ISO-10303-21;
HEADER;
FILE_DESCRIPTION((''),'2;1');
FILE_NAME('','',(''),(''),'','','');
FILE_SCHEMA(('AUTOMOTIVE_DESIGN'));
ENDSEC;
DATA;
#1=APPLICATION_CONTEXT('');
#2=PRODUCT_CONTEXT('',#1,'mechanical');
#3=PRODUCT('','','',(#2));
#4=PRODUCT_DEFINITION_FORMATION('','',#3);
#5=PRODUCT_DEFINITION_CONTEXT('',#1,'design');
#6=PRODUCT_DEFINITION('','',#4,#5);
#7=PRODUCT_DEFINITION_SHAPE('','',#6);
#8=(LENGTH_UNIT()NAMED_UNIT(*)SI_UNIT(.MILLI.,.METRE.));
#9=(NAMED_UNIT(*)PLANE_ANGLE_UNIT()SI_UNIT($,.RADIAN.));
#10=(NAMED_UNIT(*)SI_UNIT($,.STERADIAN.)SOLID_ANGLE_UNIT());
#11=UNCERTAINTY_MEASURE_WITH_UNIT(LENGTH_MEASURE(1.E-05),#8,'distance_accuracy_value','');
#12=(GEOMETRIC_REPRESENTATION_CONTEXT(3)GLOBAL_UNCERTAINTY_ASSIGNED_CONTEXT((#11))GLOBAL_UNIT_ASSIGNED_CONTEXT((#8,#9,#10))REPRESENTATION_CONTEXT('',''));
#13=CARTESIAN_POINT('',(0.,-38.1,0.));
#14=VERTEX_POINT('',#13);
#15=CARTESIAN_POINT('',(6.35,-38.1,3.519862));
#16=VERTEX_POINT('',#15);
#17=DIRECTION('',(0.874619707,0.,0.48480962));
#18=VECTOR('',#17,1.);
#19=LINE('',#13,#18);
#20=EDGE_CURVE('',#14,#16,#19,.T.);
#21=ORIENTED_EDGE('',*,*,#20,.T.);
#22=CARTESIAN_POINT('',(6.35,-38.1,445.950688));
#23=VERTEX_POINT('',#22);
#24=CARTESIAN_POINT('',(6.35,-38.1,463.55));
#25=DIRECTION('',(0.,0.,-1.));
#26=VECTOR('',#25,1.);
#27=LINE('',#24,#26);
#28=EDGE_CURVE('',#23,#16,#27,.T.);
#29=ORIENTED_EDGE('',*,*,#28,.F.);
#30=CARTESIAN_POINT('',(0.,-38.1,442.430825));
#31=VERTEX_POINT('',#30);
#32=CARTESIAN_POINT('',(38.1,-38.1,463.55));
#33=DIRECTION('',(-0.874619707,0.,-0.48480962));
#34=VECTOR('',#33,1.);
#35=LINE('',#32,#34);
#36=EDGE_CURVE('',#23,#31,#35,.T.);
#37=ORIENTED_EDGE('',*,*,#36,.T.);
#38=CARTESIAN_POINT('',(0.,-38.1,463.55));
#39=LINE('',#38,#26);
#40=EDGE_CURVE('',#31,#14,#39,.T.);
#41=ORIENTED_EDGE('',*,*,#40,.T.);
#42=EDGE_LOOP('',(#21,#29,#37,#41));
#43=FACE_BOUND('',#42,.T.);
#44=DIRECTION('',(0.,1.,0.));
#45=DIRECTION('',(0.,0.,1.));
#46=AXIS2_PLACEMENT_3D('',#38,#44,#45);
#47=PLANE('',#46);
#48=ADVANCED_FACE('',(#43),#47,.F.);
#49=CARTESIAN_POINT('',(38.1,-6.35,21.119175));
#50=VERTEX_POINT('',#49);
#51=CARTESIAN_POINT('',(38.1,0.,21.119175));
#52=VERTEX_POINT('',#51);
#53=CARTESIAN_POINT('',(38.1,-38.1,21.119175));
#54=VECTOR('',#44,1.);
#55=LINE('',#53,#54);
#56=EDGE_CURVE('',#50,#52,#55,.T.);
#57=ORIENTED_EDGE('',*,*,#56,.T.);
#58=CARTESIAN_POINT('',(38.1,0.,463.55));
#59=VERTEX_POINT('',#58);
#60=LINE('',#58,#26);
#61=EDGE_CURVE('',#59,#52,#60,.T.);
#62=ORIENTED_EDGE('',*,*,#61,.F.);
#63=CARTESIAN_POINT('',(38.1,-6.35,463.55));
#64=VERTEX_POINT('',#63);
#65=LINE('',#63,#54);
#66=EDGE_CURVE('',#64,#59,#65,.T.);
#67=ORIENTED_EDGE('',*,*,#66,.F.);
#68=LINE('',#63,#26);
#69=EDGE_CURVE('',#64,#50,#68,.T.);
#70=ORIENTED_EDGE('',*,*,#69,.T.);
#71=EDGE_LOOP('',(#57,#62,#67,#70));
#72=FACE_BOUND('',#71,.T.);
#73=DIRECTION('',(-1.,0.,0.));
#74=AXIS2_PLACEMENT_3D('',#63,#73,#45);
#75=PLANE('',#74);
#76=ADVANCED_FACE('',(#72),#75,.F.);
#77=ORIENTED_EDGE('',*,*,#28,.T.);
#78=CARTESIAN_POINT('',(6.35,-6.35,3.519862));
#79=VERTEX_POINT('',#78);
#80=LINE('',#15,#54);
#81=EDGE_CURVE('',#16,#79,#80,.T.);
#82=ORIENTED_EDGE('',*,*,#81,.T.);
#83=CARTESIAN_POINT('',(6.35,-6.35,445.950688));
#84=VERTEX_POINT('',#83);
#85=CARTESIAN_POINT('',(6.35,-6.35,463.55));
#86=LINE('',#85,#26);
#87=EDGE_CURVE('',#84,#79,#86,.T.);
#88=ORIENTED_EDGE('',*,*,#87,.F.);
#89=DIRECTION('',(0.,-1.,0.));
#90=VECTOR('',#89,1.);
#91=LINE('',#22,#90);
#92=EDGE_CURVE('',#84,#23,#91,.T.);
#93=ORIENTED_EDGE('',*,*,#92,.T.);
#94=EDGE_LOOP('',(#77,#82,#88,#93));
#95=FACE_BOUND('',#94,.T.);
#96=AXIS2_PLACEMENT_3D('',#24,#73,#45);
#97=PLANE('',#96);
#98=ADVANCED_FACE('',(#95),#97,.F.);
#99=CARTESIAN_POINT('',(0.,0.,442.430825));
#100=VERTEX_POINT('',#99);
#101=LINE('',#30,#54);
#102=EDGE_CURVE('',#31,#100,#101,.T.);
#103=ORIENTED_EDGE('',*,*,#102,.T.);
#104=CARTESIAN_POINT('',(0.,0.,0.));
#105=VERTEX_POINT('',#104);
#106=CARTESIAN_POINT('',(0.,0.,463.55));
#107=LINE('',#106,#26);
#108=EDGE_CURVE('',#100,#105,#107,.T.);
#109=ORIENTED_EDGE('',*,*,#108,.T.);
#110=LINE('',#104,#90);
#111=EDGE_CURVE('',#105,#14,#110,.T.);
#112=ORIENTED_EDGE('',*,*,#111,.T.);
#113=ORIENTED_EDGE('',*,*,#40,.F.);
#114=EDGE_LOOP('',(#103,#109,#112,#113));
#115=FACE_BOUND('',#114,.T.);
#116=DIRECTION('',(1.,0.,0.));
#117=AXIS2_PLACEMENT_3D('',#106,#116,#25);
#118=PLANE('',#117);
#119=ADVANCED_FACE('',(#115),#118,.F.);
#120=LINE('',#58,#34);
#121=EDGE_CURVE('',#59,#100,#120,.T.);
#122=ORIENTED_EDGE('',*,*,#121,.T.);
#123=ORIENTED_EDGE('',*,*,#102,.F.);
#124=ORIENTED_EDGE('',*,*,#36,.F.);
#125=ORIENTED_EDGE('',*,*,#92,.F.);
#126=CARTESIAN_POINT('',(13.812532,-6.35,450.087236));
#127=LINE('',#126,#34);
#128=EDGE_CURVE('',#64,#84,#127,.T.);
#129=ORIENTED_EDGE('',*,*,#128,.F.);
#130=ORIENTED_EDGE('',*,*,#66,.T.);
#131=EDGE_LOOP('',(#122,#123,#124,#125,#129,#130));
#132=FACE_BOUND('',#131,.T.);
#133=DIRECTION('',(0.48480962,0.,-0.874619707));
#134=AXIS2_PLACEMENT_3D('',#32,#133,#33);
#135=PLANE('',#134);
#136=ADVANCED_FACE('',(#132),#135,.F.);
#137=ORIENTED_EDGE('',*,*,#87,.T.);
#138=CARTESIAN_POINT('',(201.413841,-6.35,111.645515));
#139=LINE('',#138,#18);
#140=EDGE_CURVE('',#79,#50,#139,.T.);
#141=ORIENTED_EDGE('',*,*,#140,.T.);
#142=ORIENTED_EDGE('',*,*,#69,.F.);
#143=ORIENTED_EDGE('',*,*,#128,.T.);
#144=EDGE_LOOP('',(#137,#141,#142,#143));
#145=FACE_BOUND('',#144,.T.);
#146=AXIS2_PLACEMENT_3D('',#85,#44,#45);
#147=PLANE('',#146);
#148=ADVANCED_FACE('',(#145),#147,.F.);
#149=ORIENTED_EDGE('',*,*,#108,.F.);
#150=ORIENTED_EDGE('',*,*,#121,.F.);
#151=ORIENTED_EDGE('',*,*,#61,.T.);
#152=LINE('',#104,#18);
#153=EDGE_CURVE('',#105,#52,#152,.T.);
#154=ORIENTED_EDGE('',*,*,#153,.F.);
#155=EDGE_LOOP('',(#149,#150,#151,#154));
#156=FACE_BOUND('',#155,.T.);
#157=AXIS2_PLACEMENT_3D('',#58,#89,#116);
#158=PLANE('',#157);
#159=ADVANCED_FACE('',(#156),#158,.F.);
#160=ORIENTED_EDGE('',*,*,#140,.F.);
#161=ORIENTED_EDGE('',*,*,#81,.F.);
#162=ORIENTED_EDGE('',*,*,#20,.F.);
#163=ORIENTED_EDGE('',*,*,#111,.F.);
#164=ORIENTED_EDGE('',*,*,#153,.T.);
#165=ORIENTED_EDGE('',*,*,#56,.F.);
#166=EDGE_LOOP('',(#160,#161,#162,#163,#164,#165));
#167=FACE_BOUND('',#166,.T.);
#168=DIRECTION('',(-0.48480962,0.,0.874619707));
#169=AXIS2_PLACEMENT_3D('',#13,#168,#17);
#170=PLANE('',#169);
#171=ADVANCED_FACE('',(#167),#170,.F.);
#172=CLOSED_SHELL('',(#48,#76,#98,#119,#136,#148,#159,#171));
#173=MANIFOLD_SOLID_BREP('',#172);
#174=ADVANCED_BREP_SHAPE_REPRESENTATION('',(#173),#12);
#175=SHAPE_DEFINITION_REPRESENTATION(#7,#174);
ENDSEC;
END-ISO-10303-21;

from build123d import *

# Parameters (mm, degrees)
OAL_ANGLE_DEPTH     = 463.55
ANGLE_CUTOURT_DEPTH = 39.1


with BuildPart() as part:
    # Sketch1 → OAL Angle (new body)
    with BuildSketch(Plane.XY):
        Polygon((0, 0), (0, -38.1), (6.35, -38.1), (6.35, -6.35), (38.1, -6.35), (38.1, 0), align=None)
    extrude(amount=OAL_ANGLE_DEPTH)

    # Sketch2 → Angle Cutourt (cut, through all)
    with BuildSketch(Plane(origin=(0, 0, 0), x_dir=(1, 0, 0), z_dir=(0, 1, 0))):
        Polygon((0, 0), (38.1, -21.11917486), (38.1, 0), align=None)
        Polygon((38.1, -463.55), (0, -442.43082514), (0, -463.55), align=None)
    extrude(amount=-ANGLE_CUTOURT_DEPTH, mode=Mode.SUBTRACT)


solid = part.part
